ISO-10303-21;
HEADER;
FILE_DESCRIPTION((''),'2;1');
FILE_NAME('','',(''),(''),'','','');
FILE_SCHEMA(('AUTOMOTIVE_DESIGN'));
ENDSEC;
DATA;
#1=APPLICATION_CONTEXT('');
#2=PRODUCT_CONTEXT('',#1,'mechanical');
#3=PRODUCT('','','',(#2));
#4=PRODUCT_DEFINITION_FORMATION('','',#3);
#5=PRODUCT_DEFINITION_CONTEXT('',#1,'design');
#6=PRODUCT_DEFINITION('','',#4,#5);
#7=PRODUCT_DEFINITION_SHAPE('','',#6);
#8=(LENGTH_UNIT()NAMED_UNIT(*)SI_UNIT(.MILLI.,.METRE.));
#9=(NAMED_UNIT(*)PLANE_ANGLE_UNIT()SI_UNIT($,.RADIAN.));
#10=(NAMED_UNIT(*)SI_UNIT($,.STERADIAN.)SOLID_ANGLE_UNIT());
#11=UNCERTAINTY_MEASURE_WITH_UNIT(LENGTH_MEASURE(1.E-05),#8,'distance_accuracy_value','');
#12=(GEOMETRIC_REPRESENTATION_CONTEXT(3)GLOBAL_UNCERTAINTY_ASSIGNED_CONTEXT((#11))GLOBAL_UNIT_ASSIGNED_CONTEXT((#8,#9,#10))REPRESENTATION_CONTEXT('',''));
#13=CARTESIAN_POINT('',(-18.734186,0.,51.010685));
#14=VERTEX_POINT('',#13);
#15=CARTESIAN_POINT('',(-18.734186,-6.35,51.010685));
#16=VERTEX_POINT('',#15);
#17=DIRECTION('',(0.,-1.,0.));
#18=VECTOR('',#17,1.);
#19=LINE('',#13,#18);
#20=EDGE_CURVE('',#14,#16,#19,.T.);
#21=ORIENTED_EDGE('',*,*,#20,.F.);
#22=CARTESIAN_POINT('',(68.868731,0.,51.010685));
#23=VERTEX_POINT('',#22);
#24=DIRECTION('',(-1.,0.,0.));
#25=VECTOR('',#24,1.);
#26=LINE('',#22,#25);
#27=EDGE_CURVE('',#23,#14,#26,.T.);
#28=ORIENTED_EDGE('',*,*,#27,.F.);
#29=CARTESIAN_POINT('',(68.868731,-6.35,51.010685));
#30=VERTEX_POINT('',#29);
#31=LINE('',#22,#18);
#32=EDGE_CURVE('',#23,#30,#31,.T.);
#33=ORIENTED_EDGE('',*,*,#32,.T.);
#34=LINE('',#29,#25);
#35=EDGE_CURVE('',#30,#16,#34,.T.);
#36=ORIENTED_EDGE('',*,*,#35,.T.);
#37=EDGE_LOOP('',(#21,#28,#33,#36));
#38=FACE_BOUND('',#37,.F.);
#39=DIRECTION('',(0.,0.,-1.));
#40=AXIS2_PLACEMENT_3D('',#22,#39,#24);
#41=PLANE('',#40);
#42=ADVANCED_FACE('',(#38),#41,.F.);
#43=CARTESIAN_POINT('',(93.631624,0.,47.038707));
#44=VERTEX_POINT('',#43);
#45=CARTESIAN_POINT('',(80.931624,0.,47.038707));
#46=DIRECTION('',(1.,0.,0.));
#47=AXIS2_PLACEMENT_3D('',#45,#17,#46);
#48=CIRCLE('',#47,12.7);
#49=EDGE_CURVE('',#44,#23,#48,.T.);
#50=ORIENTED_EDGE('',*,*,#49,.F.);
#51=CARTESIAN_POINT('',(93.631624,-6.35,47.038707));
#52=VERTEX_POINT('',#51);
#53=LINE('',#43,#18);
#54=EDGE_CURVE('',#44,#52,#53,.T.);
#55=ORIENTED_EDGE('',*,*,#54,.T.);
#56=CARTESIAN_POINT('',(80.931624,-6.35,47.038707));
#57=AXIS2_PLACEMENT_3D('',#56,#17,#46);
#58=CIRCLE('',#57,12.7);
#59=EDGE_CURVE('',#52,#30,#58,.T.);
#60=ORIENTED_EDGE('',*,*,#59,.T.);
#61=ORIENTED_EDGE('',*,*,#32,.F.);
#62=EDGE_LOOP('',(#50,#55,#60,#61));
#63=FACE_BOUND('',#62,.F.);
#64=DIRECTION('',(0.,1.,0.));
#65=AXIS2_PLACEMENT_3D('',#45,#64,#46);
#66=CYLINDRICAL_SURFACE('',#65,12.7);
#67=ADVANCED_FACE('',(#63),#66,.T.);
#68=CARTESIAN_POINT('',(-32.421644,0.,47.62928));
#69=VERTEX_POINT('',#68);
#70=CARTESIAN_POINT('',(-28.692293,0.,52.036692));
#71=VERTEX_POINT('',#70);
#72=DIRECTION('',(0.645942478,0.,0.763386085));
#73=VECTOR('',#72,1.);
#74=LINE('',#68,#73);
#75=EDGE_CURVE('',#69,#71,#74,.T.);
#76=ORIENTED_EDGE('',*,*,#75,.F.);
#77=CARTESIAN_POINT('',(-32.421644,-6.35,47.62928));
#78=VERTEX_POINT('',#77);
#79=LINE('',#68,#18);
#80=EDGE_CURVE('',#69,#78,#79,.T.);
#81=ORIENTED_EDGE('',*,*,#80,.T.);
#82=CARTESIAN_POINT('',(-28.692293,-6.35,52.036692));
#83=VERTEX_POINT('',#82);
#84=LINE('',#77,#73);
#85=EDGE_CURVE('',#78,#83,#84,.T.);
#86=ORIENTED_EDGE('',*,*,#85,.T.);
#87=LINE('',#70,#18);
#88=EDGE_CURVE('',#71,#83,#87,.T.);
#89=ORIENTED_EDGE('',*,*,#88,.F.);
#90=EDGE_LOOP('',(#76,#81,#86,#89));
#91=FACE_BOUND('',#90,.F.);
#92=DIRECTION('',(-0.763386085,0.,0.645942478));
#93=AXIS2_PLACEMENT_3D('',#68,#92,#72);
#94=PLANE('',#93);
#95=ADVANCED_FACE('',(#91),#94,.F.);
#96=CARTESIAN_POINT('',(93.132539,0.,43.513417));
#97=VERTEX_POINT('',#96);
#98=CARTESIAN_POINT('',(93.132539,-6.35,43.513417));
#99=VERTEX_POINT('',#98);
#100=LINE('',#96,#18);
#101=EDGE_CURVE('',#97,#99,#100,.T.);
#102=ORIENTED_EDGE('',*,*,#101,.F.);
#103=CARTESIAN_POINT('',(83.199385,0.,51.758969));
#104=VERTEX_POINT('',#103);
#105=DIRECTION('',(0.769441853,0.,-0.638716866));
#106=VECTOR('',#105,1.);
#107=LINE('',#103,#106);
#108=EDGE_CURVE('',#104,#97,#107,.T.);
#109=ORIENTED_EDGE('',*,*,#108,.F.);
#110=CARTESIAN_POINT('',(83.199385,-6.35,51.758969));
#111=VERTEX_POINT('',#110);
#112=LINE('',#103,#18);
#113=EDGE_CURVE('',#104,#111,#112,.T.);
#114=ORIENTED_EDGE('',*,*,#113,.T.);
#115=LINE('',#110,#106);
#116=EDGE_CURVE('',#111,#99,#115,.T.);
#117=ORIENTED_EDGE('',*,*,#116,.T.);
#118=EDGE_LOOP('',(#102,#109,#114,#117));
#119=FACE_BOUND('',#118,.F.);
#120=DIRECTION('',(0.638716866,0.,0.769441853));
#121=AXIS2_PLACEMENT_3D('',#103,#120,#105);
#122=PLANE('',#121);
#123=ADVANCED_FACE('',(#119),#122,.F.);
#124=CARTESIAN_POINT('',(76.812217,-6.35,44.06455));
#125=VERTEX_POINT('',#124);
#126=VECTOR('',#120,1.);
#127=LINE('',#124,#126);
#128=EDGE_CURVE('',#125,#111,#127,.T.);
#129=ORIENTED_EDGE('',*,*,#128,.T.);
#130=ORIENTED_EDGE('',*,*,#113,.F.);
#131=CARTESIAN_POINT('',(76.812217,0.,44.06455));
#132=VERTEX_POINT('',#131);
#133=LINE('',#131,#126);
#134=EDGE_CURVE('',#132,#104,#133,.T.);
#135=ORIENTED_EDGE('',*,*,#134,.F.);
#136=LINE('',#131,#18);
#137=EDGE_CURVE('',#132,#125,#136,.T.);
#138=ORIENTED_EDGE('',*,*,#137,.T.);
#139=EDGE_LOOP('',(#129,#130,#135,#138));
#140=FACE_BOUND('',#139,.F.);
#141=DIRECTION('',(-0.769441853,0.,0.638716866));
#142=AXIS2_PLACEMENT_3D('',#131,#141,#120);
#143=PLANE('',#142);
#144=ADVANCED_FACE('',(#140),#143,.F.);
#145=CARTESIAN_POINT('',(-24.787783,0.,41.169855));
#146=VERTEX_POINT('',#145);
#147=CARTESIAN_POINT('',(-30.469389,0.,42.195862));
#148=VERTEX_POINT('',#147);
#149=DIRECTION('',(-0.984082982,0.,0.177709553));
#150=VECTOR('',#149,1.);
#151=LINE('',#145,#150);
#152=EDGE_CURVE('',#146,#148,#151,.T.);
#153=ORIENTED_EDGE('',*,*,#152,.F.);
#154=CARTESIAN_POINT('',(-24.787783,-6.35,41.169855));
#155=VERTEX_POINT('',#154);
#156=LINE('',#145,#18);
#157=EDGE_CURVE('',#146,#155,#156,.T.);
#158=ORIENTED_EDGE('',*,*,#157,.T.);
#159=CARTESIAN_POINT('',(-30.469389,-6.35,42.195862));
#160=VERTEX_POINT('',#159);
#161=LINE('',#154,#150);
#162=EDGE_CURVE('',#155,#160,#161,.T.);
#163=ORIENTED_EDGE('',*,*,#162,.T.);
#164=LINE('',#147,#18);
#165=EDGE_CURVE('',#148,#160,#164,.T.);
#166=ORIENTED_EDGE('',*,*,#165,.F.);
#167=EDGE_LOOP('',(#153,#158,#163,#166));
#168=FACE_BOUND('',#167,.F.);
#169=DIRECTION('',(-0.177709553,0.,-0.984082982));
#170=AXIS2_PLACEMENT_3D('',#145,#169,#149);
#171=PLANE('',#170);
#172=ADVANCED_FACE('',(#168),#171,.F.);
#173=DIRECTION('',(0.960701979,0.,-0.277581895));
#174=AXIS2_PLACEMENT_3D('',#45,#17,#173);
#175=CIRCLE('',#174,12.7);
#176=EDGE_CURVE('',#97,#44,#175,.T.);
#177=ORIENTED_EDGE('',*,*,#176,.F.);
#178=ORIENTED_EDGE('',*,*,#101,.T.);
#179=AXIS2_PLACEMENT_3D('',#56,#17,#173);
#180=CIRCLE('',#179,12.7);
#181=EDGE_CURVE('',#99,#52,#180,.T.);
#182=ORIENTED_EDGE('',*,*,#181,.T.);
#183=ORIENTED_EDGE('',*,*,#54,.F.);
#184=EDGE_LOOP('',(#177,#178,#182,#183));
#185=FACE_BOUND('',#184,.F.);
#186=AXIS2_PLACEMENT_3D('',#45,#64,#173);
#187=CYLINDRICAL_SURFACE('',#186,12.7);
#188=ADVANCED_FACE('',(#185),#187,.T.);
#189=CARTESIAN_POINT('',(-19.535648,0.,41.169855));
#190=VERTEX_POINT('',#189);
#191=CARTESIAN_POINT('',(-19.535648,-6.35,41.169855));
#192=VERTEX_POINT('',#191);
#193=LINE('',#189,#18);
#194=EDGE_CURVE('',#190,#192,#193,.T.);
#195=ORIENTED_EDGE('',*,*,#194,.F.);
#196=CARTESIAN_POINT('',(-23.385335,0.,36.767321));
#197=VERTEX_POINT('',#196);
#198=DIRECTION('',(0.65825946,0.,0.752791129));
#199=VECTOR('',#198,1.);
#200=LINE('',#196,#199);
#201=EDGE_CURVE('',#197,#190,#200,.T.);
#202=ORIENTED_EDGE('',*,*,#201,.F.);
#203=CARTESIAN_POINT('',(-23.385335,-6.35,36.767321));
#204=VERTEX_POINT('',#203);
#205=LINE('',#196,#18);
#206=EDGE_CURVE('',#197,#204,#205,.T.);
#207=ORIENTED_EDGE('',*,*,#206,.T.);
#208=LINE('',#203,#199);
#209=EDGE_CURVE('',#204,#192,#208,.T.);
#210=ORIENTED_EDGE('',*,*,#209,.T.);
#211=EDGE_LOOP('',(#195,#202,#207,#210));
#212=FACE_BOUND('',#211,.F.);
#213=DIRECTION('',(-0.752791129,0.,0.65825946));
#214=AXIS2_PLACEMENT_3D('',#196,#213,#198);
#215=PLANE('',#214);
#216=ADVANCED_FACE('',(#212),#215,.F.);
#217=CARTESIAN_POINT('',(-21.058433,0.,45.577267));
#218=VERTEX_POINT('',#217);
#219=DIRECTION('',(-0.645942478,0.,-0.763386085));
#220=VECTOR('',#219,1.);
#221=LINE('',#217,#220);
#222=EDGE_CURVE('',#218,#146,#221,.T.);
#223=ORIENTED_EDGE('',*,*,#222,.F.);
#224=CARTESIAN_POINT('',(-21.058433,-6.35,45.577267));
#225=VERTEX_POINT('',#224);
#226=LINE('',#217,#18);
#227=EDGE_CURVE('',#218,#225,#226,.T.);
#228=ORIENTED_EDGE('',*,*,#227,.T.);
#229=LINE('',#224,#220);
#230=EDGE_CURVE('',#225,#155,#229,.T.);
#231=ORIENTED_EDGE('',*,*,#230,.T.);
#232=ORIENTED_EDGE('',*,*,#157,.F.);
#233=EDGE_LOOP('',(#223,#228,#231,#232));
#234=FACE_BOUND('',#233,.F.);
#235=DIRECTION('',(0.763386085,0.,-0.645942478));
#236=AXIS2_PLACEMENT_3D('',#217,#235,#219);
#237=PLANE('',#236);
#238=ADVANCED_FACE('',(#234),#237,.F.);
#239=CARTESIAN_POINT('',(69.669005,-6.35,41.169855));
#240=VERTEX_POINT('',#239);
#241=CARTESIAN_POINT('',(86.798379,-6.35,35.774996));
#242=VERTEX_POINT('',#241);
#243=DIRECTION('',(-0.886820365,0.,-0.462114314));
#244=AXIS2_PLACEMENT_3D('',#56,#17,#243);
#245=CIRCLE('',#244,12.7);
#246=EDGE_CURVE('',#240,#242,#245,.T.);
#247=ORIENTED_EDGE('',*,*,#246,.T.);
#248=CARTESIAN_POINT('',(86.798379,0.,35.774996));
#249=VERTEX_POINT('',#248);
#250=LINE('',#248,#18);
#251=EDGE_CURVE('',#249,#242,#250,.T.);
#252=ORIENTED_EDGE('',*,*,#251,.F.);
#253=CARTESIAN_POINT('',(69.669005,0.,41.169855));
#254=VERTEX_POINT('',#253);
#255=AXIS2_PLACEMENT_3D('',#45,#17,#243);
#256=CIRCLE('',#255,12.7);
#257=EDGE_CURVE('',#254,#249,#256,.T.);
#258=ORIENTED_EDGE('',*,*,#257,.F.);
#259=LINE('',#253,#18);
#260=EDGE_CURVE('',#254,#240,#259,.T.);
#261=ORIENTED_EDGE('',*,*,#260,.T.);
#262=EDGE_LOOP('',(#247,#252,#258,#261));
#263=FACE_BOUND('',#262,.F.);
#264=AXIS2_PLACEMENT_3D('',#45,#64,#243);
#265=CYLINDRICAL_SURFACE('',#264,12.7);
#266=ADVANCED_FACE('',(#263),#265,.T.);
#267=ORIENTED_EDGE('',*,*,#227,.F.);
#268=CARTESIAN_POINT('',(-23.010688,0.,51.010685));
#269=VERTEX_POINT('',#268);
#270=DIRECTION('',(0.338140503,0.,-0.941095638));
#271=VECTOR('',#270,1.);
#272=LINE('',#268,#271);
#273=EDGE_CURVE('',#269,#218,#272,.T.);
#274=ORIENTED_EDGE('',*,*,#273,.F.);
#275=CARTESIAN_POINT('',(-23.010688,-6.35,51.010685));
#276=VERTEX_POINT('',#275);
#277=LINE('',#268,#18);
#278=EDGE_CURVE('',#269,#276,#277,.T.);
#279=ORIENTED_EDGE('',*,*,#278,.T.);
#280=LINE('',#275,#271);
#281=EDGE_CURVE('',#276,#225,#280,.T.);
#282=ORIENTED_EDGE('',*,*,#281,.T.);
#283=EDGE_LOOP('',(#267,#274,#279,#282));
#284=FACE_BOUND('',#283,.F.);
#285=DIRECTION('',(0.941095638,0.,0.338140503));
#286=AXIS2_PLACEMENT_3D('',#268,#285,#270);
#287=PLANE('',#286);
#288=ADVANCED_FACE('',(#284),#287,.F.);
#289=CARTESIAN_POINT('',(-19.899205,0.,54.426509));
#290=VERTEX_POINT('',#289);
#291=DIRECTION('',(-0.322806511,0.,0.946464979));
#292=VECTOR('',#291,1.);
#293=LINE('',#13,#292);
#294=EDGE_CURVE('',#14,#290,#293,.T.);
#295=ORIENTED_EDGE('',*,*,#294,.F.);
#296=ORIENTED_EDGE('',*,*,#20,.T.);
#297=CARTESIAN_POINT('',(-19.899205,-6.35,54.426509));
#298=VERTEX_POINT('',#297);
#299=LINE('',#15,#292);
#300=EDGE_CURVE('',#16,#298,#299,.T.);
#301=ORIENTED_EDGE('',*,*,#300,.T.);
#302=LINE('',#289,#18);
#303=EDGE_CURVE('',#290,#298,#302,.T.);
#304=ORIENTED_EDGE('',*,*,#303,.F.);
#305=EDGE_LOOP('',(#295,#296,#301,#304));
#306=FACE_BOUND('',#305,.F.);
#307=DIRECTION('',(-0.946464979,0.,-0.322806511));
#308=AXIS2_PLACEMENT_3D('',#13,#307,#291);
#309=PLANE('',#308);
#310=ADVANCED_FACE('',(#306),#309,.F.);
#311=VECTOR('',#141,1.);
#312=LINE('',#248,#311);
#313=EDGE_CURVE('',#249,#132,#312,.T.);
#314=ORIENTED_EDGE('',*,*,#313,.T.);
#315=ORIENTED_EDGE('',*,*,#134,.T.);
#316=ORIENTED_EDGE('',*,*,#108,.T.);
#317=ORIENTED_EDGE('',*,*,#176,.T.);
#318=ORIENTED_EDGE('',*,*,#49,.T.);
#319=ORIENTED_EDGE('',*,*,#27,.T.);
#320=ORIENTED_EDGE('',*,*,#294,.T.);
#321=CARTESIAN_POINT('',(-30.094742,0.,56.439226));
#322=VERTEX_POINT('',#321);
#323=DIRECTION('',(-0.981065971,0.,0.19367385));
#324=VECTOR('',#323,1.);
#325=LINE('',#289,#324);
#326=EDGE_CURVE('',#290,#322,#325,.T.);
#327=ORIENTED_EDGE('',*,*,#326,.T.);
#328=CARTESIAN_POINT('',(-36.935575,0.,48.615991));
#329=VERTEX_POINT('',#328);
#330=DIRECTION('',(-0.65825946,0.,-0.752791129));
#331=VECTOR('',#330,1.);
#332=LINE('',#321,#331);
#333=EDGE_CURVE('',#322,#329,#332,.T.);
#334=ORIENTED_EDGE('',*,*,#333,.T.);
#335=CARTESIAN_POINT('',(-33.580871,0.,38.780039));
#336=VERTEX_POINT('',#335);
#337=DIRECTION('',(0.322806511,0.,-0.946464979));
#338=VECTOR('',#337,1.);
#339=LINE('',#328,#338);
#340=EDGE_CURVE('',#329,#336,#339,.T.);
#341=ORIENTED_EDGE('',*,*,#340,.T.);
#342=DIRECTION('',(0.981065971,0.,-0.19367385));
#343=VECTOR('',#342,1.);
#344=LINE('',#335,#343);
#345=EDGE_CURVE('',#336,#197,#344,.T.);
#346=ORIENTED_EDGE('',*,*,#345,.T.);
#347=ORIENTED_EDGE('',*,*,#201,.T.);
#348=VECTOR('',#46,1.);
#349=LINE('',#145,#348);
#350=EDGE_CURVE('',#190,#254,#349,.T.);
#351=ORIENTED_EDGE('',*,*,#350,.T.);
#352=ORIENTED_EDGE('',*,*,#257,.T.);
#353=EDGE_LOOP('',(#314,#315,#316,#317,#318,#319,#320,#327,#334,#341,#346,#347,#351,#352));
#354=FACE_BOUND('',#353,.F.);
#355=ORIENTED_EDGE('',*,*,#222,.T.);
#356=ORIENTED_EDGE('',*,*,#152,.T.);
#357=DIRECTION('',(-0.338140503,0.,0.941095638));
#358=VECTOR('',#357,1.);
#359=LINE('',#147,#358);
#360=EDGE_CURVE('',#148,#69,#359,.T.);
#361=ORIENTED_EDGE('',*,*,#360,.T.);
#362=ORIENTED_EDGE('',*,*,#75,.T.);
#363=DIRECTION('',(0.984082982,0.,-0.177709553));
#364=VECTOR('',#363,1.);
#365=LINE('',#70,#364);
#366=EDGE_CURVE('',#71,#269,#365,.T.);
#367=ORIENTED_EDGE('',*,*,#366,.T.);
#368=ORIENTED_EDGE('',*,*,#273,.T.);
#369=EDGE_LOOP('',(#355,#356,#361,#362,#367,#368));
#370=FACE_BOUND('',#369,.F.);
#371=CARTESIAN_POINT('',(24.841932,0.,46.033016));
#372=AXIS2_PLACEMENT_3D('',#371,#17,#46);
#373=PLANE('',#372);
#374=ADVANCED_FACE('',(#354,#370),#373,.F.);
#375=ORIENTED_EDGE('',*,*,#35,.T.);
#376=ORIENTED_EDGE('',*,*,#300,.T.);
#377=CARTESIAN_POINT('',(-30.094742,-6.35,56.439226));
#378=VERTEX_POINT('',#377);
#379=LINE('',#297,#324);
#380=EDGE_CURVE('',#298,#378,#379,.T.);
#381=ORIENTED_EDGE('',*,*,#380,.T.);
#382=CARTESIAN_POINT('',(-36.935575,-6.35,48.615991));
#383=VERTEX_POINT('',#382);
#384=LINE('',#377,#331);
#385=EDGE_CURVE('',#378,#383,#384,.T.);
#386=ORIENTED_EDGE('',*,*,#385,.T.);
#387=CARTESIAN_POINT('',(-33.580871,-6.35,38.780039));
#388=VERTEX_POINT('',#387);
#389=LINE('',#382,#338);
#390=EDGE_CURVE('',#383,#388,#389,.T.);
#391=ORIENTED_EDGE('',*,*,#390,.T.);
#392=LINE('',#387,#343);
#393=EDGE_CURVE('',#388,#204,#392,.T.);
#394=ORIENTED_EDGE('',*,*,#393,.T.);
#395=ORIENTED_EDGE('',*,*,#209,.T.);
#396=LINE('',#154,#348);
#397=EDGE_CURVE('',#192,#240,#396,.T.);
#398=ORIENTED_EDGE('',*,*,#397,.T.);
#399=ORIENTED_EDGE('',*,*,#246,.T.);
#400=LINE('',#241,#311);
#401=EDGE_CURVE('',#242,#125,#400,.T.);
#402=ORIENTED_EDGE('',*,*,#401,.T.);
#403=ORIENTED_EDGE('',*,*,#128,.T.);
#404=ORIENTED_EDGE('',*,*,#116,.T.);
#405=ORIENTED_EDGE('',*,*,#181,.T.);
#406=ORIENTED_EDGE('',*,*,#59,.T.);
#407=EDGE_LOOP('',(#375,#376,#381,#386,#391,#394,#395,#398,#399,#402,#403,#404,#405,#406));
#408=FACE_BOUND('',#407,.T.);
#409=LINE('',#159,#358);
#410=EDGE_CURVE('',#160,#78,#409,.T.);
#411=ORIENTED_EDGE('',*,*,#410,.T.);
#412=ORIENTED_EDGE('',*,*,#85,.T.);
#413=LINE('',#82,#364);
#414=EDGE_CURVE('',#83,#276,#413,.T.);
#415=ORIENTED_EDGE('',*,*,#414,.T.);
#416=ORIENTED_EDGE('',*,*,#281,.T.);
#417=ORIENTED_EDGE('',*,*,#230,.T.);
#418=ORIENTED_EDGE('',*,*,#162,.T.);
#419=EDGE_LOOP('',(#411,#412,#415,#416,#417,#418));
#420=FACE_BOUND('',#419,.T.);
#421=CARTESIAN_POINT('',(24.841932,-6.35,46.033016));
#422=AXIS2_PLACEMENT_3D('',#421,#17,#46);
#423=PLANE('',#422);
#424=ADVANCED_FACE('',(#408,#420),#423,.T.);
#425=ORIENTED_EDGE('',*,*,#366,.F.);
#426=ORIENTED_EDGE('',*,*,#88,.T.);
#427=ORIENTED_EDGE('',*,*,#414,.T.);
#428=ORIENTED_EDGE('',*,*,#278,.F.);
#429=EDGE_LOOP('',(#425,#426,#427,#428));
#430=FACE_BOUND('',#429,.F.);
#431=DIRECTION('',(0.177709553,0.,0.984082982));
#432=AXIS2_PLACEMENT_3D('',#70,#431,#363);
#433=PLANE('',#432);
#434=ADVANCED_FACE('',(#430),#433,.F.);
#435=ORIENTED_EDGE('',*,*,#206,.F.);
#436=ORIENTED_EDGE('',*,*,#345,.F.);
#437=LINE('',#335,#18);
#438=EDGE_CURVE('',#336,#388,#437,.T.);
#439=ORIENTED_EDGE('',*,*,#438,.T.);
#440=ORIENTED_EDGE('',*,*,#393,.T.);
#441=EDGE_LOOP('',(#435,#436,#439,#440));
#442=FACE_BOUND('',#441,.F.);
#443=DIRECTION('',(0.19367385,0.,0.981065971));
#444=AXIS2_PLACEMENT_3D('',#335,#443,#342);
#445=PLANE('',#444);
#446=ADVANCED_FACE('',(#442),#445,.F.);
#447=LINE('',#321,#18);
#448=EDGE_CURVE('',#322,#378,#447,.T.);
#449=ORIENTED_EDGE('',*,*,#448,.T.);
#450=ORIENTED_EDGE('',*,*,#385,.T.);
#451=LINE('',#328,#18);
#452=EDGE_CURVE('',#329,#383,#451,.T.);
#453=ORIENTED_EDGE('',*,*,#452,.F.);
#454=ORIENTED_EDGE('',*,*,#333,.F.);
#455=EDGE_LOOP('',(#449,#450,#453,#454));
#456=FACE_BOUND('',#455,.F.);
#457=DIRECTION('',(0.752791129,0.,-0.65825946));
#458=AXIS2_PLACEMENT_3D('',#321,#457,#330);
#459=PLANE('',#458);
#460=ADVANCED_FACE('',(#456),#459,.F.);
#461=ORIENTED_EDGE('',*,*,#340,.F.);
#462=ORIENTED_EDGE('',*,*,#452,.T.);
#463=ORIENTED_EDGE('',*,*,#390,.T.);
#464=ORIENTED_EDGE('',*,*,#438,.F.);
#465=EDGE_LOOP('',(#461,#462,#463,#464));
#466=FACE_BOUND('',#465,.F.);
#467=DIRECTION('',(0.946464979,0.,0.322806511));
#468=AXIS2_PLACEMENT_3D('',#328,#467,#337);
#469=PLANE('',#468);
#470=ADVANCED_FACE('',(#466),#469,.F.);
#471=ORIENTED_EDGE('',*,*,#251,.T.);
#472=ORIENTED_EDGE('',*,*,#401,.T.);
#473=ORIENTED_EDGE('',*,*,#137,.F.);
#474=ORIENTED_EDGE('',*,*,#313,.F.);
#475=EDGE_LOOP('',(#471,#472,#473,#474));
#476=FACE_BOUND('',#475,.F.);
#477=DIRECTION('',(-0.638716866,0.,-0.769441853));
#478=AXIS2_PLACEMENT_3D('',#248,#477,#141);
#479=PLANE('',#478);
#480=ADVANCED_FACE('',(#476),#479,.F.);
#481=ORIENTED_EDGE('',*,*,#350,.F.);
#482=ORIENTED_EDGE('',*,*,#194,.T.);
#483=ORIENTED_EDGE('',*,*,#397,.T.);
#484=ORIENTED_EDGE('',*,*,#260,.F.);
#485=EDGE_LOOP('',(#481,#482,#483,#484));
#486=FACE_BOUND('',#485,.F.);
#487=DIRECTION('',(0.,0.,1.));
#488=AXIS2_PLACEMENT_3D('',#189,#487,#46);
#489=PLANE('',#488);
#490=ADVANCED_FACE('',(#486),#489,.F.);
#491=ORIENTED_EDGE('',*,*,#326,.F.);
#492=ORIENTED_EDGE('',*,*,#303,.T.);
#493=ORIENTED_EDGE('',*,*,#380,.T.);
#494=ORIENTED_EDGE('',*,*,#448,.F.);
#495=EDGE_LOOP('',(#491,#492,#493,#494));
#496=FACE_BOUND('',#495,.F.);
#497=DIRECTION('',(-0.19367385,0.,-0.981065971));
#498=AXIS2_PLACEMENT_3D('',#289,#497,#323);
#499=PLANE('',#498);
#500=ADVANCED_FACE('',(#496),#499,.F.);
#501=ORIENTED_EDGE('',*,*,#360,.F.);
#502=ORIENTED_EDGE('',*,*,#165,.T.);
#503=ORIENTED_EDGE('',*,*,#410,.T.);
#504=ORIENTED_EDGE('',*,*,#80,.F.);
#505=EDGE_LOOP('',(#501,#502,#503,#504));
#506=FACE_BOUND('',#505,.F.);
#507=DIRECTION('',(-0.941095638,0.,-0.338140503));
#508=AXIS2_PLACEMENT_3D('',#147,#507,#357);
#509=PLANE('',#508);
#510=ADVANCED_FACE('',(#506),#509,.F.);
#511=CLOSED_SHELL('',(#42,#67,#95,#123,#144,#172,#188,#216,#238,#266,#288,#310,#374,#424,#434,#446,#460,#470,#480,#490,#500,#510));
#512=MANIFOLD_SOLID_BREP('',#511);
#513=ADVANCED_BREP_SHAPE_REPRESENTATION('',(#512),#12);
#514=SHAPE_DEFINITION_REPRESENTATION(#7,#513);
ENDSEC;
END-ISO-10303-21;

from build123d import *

# Parameters (mm, degrees)
F1_DEPTH = 6.35


with BuildPart() as f1:
    # F0 (on Front) → F1 (new body)
    with BuildSketch(Plane.XZ):
        with BuildLine():
            Line((-19.535648028, 41.1698554981), (69.6690051493, 41.1698554981))
            ThreePointArc((69.6690051493, 41.1698554981), (68.2734107375, 46.0093179877), (68.8687306625, 51.0106853144))
            Line((68.8687306625, 51.0106853144), (-18.7341859771, 51.0106853144))
            Line((-18.7341859771, 51.0106853144), (-16.544501635, 44.5905560083))
            Line((-16.544501635, 44.5905560083), (-19.535648028, 41.1698554981))
        make_face()
        with BuildLine():
            ThreePointArc((68.8687306625, 51.0106853144), (68.2734107375, 46.0093179877), (69.6690051493, 41.1698554981))
            Line((69.6690051493, 41.1698554981), (76.8122168252, 41.1698554981))
            Line((76.8122168252, 41.1698554981), (76.8122168252, 44.0645504642))
            Line((76.8122168252, 44.0645504642), (76.8122168252, 51.0106853144))
            Line((76.8122168252, 51.0106853144), (68.8687306625, 51.0106853144))
        make_face()
        with BuildLine():
            Line((83.1993854847, 51.7589689942), (93.1325389176, 43.5134172284))
            ThreePointArc((93.1325389176, 43.5134172284), (93.506233567, 45.2584856945), (93.6316237892, 47.0387072915))
            ThreePointArc((93.6316237892, 47.0387072915), (82.942998604, 59.5784190647), (68.8687306625, 51.0106853144))
            Line((68.8687306625, 51.0106853144), (76.8122168252, 51.0106853144))
            Line((76.8122168252, 51.0106853144), (76.8122168252, 44.0645504642))
            Line((76.8122168252, 44.0645504642), (83.1993854847, 51.7589689942))
        make_face()
        with BuildLine():
            ThreePointArc((69.6690051493, 41.1698554981), (77.1165270466, 34.9252834632), (86.7983786546, 35.7749962091))
            Line((86.7983786546, 35.7749962091), (76.8122168252, 44.0645504642))
            Line((76.8122168252, 44.0645504642), (76.8122168252, 41.1698554981))
            Line((76.8122168252, 41.1698554981), (69.6690051493, 41.1698554981))
        make_face()
        Polygon((-24.7877831748, 41.1698554981), (-19.535648028, 41.1698554981), (-16.544501635, 44.5905560083), (-18.7341859771, 51.0106853144), (-23.0106876439, 51.0106853144), (-21.0584325376, 45.5772671147), align=None)
        Polygon((-23.3853346079, 36.7673211123), (-19.535648028, 41.1698554981), (-24.7877831748, 41.1698554981), (-30.4693889183, 42.1958620812), (-32.4216440246, 47.629280281), (-28.6922933874, 52.0366918976), (-23.0106876439, 51.0106853144), (-18.7341859771, 51.0106853144), (-19.8992053083, 54.4265085938), (-30.0947419544, 56.4392262833), (-36.9355749272, 48.6159913874), (-33.580871254, 38.7800388019), align=None)
    extrude(amount=F1_DEPTH)


solid = f1.part
